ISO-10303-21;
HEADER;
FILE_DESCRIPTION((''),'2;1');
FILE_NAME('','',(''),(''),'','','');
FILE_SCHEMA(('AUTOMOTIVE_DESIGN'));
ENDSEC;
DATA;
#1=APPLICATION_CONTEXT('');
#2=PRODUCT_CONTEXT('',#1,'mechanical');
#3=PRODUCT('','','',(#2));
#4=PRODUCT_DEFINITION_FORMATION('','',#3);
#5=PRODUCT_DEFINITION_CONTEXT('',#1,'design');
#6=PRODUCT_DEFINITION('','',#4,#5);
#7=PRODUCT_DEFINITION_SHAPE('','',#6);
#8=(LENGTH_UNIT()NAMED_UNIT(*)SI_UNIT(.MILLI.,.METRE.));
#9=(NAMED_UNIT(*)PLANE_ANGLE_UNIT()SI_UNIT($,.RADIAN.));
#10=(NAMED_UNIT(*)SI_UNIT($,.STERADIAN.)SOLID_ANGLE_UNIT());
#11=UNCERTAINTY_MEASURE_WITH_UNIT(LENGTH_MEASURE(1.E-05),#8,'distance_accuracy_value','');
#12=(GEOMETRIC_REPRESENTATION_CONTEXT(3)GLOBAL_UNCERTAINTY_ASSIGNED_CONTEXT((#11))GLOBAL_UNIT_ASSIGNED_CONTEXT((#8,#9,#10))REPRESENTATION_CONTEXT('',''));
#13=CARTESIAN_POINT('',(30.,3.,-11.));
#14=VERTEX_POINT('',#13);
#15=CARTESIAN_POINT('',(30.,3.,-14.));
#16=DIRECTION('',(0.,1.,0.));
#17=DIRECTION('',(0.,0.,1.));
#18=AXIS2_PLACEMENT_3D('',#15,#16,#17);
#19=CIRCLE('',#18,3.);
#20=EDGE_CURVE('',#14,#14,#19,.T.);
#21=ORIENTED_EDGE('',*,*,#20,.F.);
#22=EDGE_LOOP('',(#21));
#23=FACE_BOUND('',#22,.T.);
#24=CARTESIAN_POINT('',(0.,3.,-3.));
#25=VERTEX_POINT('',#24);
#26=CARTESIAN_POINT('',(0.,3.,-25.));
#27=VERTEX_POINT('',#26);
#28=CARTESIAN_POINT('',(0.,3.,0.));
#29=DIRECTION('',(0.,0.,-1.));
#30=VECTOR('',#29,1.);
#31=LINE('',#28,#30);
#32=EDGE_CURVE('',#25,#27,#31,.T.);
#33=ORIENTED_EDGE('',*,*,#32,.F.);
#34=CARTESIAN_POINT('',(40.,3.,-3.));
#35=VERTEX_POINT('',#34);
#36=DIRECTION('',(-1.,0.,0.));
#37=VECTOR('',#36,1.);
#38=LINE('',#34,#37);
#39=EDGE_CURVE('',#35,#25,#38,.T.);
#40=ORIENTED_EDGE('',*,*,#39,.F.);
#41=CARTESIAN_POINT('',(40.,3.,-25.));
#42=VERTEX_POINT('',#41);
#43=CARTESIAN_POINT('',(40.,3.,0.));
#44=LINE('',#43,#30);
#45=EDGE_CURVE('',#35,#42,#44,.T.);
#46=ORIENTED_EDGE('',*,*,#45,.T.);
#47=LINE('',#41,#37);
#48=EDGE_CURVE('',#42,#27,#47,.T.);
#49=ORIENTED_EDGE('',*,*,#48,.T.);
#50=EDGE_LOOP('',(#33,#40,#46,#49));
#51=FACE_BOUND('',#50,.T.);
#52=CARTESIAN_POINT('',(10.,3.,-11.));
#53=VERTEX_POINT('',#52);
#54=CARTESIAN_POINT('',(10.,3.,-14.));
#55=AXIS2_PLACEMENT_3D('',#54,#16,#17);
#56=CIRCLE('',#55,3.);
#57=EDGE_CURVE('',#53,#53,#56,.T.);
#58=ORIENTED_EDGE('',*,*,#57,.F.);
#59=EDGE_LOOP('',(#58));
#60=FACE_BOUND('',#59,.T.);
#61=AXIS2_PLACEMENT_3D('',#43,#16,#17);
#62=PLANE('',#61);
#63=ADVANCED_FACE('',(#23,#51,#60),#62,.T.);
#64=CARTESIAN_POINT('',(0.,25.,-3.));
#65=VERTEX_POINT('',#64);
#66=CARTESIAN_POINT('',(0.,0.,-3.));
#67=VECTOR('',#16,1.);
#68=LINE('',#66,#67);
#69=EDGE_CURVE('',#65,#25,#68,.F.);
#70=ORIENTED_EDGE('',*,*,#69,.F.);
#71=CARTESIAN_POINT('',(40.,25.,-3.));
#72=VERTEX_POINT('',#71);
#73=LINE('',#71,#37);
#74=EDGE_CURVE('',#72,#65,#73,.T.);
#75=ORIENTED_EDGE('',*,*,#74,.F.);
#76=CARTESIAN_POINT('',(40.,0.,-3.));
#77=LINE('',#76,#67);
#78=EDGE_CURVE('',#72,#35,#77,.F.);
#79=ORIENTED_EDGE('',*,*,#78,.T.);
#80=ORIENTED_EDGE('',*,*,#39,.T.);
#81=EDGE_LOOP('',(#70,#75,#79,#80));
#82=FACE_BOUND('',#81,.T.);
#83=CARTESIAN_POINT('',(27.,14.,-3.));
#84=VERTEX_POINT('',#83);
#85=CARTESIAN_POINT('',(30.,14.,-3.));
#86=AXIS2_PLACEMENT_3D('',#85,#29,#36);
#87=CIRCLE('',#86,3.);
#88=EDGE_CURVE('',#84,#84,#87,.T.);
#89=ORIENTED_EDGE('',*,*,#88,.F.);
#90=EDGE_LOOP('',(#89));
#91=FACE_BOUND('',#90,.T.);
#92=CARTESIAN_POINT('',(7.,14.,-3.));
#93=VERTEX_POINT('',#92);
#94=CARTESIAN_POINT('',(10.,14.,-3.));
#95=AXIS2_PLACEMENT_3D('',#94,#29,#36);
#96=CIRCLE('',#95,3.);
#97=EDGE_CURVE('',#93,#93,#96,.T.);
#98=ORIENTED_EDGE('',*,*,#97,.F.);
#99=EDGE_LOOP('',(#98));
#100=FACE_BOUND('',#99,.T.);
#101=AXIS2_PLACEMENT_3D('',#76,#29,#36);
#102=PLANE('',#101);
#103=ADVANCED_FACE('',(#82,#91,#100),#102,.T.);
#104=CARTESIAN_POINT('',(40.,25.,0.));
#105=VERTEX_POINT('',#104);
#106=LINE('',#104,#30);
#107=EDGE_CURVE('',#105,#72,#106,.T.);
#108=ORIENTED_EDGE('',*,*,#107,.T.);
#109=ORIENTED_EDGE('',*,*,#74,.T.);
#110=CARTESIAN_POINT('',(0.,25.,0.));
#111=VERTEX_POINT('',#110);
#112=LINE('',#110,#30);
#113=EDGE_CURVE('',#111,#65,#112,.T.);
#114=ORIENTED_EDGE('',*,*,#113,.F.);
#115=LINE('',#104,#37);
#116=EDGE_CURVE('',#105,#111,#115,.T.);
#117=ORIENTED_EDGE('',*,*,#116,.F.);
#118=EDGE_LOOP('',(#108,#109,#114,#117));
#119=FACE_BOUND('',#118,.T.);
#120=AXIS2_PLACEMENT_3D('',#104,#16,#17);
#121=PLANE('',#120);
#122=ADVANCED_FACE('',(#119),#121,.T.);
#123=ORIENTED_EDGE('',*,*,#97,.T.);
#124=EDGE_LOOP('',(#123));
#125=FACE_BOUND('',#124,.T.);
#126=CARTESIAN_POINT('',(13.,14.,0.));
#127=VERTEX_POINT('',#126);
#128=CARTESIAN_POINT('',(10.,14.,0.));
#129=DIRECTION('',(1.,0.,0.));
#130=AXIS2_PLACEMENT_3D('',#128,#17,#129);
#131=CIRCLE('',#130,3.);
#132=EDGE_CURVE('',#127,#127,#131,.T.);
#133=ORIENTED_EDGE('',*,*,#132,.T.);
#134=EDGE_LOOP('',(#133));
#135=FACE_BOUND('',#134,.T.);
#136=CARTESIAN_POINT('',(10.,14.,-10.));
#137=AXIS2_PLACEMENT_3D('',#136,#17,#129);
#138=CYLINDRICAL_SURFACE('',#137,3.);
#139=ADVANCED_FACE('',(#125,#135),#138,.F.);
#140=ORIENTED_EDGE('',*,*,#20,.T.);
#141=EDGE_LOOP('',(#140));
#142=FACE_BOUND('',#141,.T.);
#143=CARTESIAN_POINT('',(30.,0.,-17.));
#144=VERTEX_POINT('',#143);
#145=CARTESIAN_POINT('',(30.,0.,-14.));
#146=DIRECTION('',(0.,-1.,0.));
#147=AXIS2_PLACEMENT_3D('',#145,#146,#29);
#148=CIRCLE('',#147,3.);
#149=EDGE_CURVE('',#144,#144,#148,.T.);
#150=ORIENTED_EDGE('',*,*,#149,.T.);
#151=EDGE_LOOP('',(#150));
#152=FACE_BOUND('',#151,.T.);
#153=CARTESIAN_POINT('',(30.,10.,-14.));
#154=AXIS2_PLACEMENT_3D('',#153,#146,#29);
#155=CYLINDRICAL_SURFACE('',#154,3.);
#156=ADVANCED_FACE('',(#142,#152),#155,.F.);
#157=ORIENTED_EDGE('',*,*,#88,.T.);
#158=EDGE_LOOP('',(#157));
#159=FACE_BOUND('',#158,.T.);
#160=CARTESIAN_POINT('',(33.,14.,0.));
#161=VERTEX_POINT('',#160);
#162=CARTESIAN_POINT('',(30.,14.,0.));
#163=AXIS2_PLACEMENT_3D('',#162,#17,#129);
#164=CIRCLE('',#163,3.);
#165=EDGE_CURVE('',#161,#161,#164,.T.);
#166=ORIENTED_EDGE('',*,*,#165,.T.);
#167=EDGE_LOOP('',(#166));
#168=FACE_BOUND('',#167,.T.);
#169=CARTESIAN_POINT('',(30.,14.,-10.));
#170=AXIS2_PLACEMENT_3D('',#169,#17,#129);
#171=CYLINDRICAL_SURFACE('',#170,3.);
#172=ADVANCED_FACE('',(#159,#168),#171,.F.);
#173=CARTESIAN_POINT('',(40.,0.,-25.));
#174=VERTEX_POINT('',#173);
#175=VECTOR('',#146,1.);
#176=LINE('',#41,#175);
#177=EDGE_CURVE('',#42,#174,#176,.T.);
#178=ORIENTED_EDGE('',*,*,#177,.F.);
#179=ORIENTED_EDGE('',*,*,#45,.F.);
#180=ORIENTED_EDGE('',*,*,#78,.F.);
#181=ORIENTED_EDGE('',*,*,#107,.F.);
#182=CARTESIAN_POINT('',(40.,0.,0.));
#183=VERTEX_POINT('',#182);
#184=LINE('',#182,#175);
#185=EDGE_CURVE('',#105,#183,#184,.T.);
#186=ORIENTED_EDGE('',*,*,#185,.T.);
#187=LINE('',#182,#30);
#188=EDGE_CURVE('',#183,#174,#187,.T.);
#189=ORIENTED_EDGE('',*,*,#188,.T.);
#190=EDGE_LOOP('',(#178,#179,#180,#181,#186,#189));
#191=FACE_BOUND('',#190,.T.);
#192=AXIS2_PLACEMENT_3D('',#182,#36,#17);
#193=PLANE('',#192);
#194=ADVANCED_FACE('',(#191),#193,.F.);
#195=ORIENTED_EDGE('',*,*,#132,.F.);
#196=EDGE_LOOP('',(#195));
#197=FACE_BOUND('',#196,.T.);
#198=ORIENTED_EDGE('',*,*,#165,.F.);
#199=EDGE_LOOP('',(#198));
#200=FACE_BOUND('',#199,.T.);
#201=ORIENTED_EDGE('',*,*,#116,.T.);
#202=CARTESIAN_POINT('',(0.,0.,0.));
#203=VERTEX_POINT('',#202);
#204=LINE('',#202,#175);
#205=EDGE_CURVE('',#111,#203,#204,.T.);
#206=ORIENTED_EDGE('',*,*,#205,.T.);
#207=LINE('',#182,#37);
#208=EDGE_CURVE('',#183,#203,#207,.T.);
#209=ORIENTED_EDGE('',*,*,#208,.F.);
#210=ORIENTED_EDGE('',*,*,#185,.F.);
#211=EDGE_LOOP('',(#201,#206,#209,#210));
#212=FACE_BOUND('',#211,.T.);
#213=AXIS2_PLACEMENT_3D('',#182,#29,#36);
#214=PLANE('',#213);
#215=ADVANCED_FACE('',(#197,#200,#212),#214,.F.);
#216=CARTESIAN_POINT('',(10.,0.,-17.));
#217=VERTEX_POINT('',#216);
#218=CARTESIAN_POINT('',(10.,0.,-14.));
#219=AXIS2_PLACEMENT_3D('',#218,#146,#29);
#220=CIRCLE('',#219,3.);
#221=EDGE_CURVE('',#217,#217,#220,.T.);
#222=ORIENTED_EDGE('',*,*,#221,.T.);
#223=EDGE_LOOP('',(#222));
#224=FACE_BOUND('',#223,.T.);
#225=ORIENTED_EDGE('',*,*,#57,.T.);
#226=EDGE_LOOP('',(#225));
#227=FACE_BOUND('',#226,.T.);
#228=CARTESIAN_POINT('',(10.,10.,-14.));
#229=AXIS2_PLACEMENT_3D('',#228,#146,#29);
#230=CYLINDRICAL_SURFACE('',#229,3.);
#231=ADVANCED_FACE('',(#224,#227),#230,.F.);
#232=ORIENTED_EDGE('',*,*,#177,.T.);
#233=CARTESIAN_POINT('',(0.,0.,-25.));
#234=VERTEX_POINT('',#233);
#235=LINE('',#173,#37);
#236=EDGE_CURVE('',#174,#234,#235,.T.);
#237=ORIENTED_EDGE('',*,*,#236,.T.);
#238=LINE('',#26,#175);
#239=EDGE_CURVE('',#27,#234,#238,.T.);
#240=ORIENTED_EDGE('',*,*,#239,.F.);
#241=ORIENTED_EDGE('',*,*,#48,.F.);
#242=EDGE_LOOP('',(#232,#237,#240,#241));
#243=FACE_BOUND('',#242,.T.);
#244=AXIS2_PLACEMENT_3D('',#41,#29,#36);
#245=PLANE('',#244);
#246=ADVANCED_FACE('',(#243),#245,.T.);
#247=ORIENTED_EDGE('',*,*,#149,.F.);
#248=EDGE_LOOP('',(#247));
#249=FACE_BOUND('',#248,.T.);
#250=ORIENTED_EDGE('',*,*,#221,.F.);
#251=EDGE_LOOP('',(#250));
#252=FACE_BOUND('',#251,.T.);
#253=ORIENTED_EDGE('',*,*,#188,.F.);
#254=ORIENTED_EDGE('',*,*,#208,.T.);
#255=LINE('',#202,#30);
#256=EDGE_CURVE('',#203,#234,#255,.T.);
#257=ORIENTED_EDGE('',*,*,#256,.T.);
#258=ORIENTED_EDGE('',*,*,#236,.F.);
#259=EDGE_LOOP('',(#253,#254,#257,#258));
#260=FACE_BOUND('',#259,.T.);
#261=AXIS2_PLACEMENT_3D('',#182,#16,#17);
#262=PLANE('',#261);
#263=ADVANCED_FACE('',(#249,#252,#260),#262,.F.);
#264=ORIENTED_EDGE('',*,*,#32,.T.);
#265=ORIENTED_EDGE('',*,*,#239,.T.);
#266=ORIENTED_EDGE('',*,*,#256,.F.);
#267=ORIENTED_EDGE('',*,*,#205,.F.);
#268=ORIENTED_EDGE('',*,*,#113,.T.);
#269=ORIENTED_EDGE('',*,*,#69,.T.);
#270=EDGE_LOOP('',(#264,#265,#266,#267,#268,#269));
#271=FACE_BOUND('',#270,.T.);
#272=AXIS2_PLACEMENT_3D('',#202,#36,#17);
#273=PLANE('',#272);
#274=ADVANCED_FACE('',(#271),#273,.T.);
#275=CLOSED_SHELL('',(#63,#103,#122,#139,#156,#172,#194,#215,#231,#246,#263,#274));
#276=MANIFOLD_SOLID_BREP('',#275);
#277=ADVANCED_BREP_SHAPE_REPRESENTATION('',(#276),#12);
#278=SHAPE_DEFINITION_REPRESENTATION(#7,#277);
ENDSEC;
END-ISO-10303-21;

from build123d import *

# Parameters (mm, degrees)
EXTRUDE_1_DEPTH     = 40
SKETCH_2_R          = 3
CUT_EXTRUDE_1_DEPTH = 10
SKETCH_3_R          = 3
CUT_EXTRUDE_2_DEPTH = 10


with BuildPart() as part:
    # Эскиз1 → Вытянуть-Тонкостенный1 (new body)
    with BuildSketch(Plane(origin=(0, 0, 0), x_dir=(0, 0, -1), z_dir=(1, 0, 0))):
        Polygon((25, 0), (0, 0), (0, 25), (3, 25), (3, 3), (25, 3), align=None)
    extrude(amount=EXTRUDE_1_DEPTH)

    # Эскиз2 → Вырез-Вытянуть1 (cut)
    with BuildSketch(Plane.XZ):
        with Locations((10, -14)):
            Circle(SKETCH_2_R)
        with Locations((30, -14)):
            Circle(SKETCH_2_R)
    extrude(amount=-CUT_EXTRUDE_1_DEPTH, mode=Mode.SUBTRACT)

    # Эскиз3 → Вырез-Вытянуть2 (cut)
    with BuildSketch(Plane.XY):
        with Locations((10, 14)):
            Circle(SKETCH_3_R)
        with Locations((30, 14)):
            Circle(SKETCH_3_R)
    extrude(amount=-CUT_EXTRUDE_2_DEPTH, mode=Mode.SUBTRACT)


solid = part.part
